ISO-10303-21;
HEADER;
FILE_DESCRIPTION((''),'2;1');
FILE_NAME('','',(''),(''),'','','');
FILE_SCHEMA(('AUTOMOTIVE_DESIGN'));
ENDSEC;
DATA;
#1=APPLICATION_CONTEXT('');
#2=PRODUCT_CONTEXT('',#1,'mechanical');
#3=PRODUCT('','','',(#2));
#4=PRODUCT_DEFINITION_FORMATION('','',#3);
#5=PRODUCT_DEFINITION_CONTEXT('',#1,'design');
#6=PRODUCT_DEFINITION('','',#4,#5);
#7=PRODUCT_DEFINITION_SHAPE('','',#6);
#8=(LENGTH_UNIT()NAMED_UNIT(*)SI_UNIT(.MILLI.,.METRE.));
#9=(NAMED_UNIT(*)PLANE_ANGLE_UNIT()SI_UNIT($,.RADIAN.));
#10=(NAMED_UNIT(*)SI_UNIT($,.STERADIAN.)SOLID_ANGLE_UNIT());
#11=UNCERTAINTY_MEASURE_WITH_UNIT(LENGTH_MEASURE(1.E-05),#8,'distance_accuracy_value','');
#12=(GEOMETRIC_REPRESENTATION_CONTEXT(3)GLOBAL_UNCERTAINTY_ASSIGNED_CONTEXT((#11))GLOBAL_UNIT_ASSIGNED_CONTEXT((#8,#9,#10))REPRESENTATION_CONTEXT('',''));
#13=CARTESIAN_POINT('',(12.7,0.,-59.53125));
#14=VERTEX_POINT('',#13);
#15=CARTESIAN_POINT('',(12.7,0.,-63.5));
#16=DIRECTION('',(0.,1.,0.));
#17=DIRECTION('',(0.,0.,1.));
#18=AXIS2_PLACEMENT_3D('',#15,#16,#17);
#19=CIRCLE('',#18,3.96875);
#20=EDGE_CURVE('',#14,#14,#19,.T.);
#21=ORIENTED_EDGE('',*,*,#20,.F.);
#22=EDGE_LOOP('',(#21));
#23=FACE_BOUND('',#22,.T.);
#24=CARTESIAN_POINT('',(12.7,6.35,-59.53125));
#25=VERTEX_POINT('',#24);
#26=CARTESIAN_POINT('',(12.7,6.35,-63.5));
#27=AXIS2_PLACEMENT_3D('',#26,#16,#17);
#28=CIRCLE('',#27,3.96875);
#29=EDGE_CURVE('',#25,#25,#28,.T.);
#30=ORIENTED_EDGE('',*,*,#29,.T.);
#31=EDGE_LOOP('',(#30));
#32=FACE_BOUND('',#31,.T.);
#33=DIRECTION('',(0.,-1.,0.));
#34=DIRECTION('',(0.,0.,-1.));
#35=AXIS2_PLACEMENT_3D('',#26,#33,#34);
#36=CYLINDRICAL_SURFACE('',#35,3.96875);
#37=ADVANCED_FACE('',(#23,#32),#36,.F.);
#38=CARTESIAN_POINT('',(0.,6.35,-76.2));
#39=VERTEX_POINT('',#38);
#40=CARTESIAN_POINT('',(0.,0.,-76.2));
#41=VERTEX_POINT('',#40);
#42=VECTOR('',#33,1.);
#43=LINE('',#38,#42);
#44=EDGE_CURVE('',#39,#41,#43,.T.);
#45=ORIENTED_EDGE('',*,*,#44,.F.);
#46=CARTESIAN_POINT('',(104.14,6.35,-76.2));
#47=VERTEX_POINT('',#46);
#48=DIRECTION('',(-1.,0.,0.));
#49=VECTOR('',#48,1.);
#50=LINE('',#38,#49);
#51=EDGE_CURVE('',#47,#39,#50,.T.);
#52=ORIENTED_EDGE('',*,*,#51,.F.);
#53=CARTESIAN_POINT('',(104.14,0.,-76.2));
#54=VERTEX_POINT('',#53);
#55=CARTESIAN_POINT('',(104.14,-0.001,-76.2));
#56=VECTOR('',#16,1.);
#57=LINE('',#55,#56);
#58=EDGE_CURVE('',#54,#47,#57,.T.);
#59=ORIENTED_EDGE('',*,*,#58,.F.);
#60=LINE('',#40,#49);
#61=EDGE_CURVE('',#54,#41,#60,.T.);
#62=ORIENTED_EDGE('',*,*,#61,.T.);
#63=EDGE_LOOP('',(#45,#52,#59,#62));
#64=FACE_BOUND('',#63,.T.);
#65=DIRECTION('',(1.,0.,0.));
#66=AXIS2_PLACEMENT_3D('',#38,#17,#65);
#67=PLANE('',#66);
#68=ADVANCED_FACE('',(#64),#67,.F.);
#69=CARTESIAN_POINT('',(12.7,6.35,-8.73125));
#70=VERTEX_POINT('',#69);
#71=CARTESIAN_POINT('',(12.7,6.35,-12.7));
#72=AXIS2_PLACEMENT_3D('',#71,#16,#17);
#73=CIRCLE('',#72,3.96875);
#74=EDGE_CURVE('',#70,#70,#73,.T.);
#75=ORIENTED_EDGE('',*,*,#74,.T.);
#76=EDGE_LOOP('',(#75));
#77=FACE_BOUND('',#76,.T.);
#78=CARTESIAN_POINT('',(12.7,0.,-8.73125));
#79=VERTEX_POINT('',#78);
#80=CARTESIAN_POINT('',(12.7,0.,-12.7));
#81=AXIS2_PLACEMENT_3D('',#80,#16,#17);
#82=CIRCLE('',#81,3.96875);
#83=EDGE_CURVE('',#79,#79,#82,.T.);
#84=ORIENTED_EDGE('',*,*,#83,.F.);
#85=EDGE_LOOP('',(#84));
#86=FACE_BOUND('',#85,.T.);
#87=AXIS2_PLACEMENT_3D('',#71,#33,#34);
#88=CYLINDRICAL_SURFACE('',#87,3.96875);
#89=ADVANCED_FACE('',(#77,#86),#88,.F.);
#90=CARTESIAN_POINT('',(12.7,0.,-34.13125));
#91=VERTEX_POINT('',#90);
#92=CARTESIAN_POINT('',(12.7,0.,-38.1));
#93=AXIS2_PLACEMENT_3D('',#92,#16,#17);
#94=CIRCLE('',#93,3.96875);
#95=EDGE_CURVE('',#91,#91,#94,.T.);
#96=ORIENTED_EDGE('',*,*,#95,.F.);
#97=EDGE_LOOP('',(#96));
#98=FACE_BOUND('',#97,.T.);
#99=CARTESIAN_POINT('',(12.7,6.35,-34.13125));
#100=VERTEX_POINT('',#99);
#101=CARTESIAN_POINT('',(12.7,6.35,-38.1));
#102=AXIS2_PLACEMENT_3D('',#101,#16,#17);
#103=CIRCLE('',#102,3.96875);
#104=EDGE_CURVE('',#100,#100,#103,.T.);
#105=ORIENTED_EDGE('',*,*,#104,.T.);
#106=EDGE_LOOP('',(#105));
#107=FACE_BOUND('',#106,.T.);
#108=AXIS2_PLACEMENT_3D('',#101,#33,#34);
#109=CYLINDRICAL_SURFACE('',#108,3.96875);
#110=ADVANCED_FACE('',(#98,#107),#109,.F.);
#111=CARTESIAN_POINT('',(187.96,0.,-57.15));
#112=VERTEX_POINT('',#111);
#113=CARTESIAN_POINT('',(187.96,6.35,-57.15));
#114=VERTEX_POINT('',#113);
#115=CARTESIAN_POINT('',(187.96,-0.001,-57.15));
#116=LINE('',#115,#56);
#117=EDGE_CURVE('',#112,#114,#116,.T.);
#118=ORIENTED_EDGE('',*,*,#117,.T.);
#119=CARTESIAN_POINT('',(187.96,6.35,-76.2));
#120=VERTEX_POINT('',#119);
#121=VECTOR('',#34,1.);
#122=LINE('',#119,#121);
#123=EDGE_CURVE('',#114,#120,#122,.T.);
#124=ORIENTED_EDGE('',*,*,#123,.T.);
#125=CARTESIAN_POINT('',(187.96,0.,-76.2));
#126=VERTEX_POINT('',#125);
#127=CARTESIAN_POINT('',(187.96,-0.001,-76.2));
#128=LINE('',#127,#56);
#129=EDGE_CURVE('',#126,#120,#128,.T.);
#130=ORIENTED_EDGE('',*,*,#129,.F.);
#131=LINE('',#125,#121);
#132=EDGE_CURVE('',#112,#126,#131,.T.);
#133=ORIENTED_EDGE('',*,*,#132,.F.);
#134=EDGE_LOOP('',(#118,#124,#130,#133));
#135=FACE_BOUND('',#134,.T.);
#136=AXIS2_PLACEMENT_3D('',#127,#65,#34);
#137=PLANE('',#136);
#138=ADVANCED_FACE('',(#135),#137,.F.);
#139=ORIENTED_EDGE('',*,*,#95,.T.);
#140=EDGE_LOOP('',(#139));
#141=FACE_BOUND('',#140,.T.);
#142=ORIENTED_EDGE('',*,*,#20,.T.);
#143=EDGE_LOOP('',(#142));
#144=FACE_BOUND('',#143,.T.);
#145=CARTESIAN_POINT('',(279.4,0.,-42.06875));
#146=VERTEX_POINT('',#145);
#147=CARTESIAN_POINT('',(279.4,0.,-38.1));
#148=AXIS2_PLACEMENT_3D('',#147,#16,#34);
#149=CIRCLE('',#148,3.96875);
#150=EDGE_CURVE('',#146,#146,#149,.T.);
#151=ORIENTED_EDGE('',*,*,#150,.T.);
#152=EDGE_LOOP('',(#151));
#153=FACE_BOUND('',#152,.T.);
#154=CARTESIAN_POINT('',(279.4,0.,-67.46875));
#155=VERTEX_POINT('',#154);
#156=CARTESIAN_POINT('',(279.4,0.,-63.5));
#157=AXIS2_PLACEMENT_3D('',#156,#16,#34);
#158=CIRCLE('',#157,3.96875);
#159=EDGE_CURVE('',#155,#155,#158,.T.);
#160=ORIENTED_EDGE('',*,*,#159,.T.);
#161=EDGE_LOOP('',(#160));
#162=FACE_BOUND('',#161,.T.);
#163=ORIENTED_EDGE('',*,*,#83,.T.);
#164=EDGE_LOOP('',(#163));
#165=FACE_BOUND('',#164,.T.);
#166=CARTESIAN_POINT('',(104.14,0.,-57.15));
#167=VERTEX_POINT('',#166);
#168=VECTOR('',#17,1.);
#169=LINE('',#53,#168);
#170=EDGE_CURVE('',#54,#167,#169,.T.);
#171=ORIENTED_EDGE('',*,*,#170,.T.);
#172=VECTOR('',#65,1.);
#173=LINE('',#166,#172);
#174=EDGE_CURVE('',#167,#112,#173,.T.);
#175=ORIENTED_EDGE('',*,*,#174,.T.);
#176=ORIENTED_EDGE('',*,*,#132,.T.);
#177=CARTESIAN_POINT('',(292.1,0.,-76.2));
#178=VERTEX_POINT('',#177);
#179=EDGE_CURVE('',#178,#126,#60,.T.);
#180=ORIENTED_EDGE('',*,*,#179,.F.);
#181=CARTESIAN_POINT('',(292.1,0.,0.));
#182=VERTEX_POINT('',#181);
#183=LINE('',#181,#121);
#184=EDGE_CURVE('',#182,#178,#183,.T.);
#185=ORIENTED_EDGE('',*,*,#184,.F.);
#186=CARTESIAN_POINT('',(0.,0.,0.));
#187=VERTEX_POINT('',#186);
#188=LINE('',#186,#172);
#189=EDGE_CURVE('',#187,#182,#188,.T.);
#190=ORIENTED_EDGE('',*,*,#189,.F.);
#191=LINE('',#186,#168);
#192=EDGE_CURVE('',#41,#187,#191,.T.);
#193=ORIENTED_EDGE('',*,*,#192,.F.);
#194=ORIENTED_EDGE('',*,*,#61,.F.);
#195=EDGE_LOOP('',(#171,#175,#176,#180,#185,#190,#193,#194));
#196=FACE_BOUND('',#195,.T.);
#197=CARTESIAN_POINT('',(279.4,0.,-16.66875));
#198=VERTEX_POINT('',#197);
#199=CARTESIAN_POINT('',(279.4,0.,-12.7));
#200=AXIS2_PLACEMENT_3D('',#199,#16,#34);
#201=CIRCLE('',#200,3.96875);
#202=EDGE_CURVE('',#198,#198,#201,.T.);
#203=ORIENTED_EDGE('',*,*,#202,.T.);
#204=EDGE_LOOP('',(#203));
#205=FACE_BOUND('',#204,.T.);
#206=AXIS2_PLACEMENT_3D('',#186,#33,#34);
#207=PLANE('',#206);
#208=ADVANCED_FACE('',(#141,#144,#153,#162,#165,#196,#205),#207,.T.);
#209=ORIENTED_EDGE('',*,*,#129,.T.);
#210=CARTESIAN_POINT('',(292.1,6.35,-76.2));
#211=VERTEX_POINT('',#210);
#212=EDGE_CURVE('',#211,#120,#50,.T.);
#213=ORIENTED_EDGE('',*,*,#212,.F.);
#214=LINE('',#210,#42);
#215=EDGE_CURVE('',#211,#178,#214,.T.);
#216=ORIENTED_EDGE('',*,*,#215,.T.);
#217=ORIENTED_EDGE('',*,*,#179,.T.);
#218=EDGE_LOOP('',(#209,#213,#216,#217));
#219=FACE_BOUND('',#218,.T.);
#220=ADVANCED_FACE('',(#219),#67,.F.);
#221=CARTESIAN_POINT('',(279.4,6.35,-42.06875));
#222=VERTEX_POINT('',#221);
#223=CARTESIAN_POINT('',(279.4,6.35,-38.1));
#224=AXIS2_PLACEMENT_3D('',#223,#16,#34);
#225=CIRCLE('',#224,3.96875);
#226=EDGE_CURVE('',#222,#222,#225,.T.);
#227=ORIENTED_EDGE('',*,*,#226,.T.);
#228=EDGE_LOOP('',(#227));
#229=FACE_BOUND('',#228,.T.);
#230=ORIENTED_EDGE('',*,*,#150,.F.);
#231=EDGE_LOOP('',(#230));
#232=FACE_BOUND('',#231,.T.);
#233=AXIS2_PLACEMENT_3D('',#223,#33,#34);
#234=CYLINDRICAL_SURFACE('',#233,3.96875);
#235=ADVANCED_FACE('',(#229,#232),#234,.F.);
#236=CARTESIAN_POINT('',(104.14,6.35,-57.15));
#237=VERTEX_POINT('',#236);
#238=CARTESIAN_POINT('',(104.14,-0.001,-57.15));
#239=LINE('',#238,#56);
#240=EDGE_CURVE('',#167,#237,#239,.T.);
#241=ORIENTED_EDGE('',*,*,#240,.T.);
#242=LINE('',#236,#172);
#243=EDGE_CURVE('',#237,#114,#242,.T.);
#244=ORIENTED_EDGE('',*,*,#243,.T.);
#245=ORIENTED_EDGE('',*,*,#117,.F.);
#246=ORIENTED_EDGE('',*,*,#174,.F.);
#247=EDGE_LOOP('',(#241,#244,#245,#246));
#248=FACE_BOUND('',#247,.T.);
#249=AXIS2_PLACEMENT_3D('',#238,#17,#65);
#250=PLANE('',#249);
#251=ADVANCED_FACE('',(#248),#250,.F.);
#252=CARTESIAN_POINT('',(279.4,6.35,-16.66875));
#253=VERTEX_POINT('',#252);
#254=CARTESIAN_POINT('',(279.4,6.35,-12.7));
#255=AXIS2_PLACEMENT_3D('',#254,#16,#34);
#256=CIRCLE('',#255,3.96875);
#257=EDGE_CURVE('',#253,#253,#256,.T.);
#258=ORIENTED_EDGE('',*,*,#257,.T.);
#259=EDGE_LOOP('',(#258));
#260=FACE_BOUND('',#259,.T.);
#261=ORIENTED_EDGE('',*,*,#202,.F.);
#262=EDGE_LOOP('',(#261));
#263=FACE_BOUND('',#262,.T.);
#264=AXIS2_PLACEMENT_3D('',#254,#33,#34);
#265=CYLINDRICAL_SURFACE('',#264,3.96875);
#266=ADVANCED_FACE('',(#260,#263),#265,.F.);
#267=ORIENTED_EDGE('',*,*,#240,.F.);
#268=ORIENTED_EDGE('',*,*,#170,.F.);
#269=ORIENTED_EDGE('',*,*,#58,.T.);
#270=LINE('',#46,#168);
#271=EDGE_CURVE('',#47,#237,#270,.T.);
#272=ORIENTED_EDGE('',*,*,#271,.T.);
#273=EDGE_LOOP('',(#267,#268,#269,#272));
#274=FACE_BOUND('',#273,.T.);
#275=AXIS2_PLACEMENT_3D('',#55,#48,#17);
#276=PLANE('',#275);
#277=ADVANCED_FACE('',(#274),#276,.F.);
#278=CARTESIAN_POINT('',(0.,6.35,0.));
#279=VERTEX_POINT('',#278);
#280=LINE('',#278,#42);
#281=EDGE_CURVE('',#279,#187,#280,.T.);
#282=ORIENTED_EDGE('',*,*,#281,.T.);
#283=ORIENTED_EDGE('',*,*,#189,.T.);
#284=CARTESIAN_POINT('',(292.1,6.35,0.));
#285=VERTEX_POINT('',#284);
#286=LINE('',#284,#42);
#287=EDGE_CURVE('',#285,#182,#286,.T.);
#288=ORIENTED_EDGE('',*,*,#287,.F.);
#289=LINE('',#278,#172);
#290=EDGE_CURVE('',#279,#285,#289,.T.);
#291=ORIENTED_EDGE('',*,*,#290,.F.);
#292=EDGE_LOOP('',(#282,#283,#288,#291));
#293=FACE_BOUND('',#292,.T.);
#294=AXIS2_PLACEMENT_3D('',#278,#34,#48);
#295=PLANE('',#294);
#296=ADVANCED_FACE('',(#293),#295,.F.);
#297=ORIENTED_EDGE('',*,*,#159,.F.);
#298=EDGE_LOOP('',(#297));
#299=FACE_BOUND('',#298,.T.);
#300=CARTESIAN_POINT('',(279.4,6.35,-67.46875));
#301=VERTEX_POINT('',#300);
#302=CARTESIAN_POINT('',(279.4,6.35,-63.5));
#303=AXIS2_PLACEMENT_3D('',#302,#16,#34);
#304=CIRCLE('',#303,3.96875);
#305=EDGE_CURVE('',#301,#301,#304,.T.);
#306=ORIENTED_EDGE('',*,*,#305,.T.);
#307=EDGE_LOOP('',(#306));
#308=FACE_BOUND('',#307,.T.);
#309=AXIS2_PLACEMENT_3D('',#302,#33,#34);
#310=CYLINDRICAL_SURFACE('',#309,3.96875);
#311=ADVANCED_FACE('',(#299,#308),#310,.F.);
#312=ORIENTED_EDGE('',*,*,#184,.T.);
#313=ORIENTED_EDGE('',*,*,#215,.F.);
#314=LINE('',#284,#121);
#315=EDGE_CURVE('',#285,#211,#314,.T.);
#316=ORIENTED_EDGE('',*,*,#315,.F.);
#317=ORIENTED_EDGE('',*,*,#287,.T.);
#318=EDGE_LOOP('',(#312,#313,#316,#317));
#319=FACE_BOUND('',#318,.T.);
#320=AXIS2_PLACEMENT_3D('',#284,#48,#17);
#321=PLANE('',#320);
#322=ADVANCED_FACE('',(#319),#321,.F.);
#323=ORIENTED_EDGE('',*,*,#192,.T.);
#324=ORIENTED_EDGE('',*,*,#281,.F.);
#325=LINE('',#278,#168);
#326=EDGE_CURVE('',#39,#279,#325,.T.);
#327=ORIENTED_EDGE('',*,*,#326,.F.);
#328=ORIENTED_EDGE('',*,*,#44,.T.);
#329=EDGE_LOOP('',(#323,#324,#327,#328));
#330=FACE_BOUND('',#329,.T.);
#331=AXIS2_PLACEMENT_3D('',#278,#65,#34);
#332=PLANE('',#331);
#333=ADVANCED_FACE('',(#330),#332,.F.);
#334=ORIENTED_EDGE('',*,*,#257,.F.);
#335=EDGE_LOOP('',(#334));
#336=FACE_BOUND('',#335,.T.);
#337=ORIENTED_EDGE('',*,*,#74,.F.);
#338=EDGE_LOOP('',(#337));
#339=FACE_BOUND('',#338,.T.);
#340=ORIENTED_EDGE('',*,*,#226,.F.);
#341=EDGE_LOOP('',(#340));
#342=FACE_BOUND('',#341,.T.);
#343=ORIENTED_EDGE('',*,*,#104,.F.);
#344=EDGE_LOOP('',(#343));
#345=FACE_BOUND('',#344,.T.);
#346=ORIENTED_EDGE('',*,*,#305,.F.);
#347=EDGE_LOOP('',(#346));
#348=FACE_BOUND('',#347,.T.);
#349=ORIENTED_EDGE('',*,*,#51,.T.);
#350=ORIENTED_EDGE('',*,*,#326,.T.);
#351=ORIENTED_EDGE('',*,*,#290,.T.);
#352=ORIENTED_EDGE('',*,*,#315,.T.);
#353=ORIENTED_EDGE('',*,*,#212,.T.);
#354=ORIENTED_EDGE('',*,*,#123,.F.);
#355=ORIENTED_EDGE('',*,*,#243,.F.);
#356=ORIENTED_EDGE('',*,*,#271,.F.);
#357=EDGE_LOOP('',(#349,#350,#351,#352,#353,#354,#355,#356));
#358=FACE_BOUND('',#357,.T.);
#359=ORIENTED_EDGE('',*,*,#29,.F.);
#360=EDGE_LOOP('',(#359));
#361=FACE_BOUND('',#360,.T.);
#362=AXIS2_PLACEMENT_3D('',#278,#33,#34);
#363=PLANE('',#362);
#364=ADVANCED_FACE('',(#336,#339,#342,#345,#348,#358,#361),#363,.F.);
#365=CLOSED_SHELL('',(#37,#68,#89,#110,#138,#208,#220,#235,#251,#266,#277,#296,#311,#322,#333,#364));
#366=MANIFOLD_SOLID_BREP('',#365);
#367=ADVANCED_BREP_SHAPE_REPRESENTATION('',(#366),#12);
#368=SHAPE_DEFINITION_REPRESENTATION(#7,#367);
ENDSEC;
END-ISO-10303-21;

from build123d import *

# Parameters (mm, degrees)
SKETCH1_W                     = 292.1
SKETCH1_H                     = 76.2
SKETCH1_R                     = 3.96875
BOSS_EXTRUDE1_DEPTH           = 6.35
MASTER_CYLINDER_OPENING_REACH = 8.35
SKETCH2_W                     = 83.82
SKETCH2_H                     = 19.05


with BuildPart() as part:
    # Sketch1 → Boss-Extrude1 (new body)
    with BuildSketch(Plane(origin=(0, 0, 0), x_dir=(1, 0, 0), z_dir=(0, 1, 0))):
        with Locations((146.05, 38.1)):
            Rectangle(SKETCH1_W, SKETCH1_H)
        with Locations((12.7, 63.5)):
            Circle(SKETCH1_R, mode=Mode.SUBTRACT)
        with Locations((12.7, 38.1)):
            Circle(SKETCH1_R, mode=Mode.SUBTRACT)
        with Locations((12.7, 12.7)):
            Circle(SKETCH1_R, mode=Mode.SUBTRACT)
        with Locations((279.4, 12.7)):
            Circle(SKETCH1_R, mode=Mode.SUBTRACT)
        with Locations((279.4, 38.1)):
            Circle(SKETCH1_R, mode=Mode.SUBTRACT)
        with Locations((279.4, 63.5)):
            Circle(SKETCH1_R, mode=Mode.SUBTRACT)
    extrude(amount=BOSS_EXTRUDE1_DEPTH)

    # Sketch2 → Master Cylinder Opening (cut, up to next)
    with BuildSketch(Plane(origin=(0, 6.35, 0), x_dir=(1, 0, 0), z_dir=(0, 1, 0)), mode=Mode.PRIVATE) as master_cylinder_opening_sk1:
        with Locations((146.05, 66.675)):
            Rectangle(SKETCH2_W, SKETCH2_H)
    master_cylinder_opening_tool1 = extrude(master_cylinder_opening_sk1.sketch, amount=-MASTER_CYLINDER_OPENING_REACH, mode=Mode.PRIVATE) & part.part
    add(master_cylinder_opening_tool1.solids().sort_by_distance((146.05, 6.35, -66.675))[0], mode=Mode.SUBTRACT)


solid = part.part
